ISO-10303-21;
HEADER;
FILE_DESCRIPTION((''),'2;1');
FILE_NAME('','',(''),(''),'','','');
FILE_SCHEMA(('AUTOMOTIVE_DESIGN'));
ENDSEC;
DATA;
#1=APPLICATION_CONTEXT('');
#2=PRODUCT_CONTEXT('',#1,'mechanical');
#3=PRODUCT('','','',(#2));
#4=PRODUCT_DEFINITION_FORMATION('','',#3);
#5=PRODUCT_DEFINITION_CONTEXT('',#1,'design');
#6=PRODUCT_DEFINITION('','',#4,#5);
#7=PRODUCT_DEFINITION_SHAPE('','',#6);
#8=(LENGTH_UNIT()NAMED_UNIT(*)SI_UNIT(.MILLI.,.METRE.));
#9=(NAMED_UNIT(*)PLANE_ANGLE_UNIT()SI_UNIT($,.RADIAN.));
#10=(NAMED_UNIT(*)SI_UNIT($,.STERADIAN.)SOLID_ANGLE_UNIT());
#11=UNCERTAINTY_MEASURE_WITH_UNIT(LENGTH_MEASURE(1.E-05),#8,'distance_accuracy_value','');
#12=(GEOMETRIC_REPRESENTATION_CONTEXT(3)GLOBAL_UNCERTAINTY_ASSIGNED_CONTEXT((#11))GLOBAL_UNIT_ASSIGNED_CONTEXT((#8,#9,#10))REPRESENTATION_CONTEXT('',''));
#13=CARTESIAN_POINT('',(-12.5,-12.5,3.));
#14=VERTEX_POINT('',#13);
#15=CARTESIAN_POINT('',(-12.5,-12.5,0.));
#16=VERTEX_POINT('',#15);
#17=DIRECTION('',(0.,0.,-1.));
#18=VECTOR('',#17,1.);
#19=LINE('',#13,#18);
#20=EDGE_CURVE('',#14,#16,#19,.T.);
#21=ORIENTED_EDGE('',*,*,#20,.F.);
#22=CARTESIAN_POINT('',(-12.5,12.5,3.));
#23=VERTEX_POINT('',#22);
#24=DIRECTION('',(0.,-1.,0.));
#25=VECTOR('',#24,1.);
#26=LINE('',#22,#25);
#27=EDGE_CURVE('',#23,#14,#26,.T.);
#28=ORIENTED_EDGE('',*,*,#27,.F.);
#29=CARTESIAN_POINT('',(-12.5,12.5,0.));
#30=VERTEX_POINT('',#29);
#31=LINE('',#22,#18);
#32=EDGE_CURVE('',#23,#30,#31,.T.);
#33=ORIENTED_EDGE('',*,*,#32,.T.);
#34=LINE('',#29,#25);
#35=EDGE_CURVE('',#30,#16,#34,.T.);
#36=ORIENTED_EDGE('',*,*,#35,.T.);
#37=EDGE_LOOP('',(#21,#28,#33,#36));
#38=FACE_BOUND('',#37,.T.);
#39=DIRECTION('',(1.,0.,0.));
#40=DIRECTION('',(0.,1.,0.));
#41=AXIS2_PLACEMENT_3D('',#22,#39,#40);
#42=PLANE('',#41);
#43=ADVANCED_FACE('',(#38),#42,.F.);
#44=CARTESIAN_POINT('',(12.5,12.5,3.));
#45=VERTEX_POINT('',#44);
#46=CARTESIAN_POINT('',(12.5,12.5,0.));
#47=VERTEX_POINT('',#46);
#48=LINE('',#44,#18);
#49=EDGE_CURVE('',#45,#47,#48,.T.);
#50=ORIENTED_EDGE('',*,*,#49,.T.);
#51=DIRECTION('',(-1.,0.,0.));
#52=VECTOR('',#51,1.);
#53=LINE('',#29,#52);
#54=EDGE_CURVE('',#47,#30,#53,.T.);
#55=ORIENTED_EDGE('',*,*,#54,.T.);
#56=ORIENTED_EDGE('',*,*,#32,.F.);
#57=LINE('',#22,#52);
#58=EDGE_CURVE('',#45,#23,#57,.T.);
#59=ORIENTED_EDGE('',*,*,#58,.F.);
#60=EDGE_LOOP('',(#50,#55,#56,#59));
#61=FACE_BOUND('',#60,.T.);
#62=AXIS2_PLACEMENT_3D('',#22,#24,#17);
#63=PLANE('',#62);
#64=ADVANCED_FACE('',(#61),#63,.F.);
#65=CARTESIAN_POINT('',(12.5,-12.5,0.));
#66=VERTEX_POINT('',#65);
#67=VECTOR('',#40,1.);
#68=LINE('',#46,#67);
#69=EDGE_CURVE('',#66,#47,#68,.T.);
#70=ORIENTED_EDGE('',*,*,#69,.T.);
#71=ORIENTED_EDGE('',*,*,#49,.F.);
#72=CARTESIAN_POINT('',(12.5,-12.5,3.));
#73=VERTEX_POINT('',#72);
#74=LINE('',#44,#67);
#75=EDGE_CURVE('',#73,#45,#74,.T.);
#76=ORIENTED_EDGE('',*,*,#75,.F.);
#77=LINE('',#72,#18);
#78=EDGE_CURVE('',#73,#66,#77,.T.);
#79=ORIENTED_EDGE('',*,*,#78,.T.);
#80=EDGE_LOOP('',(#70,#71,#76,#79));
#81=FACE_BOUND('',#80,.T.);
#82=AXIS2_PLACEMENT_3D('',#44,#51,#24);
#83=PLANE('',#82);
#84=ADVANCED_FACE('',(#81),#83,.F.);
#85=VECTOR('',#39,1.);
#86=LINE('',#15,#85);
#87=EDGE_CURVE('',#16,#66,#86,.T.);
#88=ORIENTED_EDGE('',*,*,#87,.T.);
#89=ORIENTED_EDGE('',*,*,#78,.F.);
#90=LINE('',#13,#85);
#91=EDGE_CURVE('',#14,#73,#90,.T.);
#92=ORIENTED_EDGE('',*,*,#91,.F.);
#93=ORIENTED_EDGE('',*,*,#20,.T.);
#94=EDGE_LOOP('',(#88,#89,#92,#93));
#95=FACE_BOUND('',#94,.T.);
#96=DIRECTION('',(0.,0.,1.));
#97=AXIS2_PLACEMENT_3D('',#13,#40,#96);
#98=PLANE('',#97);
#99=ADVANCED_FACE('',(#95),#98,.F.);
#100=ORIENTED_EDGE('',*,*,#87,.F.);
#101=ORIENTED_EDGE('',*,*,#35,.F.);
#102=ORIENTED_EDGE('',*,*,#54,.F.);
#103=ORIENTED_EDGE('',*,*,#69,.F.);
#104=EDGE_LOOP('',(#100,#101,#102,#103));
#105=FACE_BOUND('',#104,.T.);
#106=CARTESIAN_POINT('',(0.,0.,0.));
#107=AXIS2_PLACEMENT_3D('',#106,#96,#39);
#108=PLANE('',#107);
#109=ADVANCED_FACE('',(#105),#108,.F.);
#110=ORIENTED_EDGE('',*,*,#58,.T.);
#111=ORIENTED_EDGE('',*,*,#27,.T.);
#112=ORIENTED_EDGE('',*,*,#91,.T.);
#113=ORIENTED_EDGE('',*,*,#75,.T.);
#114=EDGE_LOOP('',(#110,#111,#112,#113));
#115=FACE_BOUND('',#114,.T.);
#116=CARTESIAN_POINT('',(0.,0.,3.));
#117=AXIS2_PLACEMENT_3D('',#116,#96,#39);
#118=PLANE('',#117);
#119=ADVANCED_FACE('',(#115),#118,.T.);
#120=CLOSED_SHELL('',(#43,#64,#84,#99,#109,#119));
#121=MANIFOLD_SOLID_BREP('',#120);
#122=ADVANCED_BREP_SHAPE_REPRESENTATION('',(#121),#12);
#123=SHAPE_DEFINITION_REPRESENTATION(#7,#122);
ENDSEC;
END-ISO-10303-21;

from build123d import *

# Parameters (mm, degrees)
SKETCH1_W           = 25
SKETCH1_H           = 25
BOSS_EXTRUDE1_DEPTH = 3


with BuildPart() as part:
    # Sketch1 → Boss-Extrude1 (new body)
    with BuildSketch(Plane.XY):
        Rectangle(SKETCH1_W, SKETCH1_H)
    extrude(amount=BOSS_EXTRUDE1_DEPTH)


solid = part.part
